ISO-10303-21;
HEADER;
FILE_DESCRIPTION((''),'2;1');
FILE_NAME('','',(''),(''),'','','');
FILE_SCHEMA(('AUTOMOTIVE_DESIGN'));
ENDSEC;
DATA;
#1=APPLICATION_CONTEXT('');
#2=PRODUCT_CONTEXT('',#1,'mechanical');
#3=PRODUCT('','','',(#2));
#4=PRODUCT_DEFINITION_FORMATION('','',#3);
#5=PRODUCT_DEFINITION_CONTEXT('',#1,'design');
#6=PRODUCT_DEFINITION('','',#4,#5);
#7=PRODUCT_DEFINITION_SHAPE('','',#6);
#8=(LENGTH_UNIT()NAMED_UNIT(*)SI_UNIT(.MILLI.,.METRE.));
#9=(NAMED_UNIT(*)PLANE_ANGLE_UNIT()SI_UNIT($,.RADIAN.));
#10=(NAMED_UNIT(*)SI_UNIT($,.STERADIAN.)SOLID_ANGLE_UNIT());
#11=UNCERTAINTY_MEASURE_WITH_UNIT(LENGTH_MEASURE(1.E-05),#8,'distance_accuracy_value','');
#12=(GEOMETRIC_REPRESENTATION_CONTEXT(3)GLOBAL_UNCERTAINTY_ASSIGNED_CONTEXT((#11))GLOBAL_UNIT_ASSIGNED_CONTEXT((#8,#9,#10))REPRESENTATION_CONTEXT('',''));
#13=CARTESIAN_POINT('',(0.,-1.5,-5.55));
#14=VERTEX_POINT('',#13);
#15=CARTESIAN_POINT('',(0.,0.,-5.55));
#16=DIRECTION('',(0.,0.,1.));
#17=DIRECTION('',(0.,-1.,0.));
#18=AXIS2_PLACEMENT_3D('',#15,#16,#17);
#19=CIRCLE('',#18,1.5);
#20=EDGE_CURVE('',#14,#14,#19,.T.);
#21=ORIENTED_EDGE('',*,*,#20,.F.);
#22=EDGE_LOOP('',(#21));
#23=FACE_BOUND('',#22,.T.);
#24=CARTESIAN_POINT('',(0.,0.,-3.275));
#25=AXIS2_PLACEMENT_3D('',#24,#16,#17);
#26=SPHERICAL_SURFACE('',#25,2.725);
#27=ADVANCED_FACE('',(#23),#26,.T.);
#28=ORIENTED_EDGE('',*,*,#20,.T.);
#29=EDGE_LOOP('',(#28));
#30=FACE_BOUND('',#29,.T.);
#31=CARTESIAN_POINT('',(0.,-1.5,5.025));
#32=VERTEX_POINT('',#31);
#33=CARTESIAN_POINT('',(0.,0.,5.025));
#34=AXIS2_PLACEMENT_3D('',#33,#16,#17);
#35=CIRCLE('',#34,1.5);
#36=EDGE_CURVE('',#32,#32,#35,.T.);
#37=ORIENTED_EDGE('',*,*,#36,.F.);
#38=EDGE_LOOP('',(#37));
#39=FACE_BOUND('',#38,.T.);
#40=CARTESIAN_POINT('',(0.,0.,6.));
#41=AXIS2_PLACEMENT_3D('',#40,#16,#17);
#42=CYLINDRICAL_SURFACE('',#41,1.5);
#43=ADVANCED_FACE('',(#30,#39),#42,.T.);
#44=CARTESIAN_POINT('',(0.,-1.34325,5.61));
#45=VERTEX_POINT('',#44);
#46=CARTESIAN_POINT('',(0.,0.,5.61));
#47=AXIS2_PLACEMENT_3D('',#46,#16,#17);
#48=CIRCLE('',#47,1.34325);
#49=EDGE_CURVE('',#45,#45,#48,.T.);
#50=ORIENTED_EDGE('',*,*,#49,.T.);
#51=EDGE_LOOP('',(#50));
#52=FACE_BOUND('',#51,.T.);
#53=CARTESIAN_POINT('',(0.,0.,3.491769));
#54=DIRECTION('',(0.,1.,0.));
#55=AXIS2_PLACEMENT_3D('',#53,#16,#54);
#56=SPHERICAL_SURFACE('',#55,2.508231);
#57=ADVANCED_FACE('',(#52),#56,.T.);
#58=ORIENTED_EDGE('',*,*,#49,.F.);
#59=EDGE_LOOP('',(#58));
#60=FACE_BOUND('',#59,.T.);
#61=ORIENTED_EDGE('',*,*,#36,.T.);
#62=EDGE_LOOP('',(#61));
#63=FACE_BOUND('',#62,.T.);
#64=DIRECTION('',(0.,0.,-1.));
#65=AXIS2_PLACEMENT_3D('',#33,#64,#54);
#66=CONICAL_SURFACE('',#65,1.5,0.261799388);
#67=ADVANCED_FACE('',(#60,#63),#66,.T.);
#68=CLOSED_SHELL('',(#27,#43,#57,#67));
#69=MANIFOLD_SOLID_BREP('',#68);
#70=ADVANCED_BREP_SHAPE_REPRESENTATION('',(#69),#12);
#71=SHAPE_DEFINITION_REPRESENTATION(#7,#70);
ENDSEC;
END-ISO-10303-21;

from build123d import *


with BuildPart() as part:
    # Sketch3 → Revolve1 (revolve)
    with BuildSketch(Plane(origin=(0, 0, 0), x_dir=(0, 0, -1), z_dir=(1, 0, 0))):
        with BuildLine():
            Line((-6, 0), (6, 0))
            ThreePointArc((6, 0), (5.885076627, 0.783022988), (5.55, 1.5))
            Line((5.55, 1.5), (-5.025, 1.5))
            Line((-5.025, 1.5), (-5.61, 1.343249722))
            ThreePointArc((-5.61, 1.343249722), (-5.90052754, 0.699360389), (-6, 0))
        make_face()
    revolve(axis=Axis((0, 0, 6), (0, 0, -1)))


solid = part.part
